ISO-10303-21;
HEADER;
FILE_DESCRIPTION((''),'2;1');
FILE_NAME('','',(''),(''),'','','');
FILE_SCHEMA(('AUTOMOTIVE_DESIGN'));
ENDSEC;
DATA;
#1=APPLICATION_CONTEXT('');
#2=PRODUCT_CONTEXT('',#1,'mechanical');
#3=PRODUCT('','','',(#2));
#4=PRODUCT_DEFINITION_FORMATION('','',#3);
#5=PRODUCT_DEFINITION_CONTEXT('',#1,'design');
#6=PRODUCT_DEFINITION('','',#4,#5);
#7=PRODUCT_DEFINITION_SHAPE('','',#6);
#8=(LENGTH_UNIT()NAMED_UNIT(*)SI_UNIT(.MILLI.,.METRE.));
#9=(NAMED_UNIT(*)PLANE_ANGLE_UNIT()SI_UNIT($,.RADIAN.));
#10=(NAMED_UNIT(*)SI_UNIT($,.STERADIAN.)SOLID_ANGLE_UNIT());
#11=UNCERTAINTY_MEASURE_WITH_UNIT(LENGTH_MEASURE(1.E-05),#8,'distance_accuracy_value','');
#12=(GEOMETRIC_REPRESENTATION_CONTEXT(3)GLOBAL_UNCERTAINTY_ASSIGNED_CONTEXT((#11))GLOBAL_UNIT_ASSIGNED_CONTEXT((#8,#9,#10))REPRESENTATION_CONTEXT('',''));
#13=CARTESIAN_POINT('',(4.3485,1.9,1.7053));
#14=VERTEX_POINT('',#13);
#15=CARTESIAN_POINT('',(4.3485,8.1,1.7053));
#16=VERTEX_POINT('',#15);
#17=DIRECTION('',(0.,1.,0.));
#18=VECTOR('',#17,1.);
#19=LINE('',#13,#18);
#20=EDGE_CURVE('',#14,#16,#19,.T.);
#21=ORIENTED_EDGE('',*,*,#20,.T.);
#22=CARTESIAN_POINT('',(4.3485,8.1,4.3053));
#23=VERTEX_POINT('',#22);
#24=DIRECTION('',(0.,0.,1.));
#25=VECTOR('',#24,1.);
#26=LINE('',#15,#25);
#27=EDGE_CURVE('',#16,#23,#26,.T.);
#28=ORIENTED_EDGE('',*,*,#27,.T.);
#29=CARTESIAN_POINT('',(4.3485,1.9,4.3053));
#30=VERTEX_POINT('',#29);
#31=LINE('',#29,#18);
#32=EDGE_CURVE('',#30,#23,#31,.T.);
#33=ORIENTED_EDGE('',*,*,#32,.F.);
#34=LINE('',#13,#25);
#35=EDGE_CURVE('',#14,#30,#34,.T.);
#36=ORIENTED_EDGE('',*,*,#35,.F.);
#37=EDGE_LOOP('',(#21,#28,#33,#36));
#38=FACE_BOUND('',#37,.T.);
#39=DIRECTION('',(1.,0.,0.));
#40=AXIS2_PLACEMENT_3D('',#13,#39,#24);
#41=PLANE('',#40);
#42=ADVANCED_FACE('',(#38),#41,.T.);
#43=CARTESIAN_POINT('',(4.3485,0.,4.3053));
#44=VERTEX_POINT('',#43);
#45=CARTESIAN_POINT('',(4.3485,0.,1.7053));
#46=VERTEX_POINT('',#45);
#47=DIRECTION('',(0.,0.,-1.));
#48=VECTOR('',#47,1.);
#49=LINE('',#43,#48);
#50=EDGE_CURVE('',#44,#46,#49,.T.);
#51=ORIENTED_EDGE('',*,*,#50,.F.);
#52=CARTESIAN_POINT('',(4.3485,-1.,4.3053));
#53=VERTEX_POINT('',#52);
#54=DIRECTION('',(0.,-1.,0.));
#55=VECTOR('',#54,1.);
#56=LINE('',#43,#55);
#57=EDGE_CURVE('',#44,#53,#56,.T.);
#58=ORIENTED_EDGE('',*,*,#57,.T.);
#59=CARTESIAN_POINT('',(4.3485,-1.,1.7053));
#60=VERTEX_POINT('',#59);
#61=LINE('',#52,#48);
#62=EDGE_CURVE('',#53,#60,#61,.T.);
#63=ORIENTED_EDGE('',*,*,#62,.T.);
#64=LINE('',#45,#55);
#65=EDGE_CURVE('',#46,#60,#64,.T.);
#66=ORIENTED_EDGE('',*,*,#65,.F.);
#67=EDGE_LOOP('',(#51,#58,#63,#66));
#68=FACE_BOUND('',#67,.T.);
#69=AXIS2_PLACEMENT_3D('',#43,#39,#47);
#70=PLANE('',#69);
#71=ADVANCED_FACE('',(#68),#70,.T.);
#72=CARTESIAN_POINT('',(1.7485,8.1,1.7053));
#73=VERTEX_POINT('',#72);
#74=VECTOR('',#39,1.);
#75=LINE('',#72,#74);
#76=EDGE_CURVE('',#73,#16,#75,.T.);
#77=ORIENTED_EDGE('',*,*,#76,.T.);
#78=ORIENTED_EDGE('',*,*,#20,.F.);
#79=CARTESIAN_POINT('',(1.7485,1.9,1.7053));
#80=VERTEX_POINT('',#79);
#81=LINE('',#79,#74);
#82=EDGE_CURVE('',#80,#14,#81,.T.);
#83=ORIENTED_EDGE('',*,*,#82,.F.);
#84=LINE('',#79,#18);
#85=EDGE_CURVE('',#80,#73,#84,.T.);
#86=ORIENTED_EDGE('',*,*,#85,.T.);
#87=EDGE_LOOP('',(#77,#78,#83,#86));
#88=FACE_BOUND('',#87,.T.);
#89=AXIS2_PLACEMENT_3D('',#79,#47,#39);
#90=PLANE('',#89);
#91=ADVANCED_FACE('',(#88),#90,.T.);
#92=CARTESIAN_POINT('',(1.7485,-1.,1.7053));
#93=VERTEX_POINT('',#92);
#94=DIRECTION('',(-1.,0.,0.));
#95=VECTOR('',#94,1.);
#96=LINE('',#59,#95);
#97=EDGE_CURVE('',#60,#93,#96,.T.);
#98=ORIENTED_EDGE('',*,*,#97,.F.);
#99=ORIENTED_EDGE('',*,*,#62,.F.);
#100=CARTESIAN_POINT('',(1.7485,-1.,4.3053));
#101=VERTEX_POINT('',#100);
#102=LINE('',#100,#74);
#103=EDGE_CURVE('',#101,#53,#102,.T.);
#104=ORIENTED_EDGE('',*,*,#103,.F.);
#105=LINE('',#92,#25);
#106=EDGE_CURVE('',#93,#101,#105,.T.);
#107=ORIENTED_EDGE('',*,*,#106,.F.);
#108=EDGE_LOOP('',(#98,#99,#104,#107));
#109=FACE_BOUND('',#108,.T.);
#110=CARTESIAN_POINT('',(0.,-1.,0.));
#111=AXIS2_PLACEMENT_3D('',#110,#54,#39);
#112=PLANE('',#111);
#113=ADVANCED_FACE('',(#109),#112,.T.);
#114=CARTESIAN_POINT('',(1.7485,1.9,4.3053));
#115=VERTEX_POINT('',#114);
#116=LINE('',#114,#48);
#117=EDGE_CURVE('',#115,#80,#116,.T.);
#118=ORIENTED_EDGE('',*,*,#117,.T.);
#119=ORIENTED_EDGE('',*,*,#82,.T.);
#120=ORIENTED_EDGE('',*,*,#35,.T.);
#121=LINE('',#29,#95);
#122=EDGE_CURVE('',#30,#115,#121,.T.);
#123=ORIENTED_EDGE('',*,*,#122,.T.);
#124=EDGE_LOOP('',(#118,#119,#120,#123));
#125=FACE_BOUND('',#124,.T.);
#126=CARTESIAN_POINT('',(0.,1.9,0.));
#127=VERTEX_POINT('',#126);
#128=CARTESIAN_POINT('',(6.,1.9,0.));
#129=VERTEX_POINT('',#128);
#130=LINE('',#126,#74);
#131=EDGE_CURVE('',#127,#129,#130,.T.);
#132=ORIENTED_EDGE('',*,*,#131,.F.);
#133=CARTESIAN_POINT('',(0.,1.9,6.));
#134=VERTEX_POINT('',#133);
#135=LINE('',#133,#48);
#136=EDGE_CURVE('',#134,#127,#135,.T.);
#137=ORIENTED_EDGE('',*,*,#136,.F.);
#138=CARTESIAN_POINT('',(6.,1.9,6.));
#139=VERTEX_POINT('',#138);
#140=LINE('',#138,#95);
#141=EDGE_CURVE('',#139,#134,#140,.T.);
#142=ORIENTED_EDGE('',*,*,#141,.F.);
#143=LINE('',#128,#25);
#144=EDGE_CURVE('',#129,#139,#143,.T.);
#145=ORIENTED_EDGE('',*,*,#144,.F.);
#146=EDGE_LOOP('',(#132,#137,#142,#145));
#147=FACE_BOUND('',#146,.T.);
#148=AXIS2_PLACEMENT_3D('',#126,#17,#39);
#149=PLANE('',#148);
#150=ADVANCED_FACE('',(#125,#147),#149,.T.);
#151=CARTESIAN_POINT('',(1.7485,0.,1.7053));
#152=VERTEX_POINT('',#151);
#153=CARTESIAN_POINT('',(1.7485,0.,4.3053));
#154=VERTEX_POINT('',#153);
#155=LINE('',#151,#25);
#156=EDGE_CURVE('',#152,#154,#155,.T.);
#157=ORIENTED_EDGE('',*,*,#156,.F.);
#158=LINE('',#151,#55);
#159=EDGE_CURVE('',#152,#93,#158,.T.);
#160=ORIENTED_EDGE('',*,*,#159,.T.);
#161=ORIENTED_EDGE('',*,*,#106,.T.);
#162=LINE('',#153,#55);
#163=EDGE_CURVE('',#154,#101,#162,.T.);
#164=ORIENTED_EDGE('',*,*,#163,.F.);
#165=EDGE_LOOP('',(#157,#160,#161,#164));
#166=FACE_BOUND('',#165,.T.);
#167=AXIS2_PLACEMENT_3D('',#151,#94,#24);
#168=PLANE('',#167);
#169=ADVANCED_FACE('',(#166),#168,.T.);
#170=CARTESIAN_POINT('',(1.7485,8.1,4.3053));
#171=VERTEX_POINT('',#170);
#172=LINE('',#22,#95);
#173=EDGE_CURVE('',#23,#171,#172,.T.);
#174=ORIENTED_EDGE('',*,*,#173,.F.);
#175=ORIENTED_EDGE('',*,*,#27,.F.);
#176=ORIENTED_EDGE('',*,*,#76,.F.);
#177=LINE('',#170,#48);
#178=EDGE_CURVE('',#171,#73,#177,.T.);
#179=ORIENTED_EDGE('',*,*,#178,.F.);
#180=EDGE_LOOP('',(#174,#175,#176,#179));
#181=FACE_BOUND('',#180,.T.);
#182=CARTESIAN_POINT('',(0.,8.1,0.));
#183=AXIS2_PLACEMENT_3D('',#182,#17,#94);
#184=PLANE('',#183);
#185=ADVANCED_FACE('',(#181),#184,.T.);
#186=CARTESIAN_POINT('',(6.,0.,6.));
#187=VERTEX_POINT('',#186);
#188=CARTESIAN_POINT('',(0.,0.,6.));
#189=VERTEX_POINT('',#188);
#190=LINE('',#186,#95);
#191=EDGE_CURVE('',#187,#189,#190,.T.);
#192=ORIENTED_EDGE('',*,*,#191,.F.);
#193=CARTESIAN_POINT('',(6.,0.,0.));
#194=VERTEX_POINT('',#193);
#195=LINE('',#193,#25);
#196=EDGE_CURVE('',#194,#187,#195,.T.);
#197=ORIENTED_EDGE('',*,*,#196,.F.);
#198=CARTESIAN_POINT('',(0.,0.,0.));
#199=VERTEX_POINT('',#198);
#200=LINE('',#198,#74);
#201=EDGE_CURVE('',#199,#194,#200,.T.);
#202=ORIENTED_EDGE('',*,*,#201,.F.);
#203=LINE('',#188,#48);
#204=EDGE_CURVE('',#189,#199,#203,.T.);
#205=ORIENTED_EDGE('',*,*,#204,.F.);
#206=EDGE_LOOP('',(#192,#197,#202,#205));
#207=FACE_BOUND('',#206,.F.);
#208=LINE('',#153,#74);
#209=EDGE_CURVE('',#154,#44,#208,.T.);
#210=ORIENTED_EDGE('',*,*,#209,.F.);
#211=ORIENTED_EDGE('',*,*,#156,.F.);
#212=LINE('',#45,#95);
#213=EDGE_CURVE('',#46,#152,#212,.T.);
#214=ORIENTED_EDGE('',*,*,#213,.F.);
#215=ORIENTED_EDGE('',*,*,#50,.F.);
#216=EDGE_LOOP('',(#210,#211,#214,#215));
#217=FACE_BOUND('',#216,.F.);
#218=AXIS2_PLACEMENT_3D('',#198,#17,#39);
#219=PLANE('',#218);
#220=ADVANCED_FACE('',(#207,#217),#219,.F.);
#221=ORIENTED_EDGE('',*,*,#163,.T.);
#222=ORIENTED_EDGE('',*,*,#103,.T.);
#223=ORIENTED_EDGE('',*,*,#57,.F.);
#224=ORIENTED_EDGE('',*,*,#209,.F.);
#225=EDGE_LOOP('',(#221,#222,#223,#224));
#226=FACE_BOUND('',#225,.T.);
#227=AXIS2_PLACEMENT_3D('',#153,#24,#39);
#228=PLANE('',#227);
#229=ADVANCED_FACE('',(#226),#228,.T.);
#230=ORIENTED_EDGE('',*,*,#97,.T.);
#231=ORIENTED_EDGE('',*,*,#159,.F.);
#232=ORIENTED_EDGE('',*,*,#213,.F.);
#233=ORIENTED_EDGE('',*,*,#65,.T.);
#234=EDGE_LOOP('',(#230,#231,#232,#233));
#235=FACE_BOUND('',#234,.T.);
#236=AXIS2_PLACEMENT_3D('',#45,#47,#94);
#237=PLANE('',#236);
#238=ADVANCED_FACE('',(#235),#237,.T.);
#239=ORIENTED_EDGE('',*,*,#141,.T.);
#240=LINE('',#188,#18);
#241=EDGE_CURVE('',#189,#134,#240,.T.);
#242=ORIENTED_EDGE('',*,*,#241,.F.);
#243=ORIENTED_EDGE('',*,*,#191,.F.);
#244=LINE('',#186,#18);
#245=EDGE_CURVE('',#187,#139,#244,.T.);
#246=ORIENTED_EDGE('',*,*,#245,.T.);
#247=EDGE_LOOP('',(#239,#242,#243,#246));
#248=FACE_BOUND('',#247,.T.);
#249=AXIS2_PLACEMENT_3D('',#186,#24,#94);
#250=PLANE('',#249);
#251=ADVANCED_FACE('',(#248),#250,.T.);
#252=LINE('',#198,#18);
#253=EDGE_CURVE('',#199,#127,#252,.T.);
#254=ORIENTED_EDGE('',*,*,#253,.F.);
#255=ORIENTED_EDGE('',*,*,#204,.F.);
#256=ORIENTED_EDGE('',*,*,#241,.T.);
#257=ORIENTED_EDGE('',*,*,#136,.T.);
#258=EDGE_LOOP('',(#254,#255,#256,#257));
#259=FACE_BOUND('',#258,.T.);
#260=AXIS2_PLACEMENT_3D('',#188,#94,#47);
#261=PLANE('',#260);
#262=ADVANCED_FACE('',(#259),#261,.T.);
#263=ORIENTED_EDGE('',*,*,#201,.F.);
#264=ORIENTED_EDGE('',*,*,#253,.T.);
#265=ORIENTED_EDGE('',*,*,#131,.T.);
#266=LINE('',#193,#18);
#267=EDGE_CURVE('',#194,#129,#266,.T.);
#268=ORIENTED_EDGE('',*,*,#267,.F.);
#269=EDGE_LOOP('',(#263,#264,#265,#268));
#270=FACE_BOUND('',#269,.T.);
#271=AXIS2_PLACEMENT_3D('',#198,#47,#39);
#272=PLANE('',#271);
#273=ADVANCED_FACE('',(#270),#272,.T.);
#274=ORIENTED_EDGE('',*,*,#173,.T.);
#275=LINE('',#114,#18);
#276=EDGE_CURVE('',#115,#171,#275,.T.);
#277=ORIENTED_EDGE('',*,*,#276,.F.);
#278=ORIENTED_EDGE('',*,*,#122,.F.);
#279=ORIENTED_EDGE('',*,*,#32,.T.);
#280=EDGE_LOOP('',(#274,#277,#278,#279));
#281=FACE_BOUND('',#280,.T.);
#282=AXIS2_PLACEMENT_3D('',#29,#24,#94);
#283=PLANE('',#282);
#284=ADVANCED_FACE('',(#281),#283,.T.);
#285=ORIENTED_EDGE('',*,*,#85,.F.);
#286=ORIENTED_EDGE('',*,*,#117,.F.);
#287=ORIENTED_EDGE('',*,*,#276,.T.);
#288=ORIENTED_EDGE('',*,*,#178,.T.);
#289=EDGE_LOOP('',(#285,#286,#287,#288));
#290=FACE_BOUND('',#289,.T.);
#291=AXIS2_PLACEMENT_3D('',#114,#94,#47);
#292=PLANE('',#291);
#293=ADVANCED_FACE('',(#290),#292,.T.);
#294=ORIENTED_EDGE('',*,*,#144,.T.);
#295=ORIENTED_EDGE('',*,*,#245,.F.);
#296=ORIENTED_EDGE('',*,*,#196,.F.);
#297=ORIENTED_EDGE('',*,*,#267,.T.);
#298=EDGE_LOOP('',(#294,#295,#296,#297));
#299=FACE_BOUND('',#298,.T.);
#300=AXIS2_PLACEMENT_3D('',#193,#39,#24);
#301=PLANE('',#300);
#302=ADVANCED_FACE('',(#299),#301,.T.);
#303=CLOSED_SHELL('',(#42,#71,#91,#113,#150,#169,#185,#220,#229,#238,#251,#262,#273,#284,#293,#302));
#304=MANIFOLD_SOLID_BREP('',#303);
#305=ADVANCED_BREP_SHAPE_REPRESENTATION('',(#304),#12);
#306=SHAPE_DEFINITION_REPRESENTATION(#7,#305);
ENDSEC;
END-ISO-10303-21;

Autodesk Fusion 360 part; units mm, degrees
sketch "Sketch1" plane through (0, 0, 0) normal (0, 1, 0) x (1, 0, 0)
  line L0 (0, 0) -> (6, 0)
  line L1 (6, 0) -> (6, -6)
  line L2 (6, -6) -> (0, -6)
  line L3 (0, -6) -> (0, 0)
  dimension "d1" = 6
  dimension "d2" = 6
extrude "Extrude1" add sketch "Sketch1" along normal blind 1.9
sketch "Sketch2" plane through (0, 1.9, 0) normal (0, 1, 0) x (-1, 0, 0)
  line L0 (0, 6) -> (-6, 6)
  line L1 (-6, 6) -> (-6, 0)
  line L2 (-6, 0) -> (0, 0)
  line L3 (0, 0) -> (0, 6)
  line L4 (-1.7485, 1.7053) -> (-4.3485, 1.7053)
  line L5 (-4.3485, 1.7053) -> (-4.3485, 4.3053)
  line L6 (-4.3485, 4.3053) -> (-1.7485, 4.3053)
  line L7 (-1.7485, 4.3053) -> (-1.7485, 1.7053)
  dimension "d5" = 2.6
  dimension "d6" = 2.6
extrude "Extrude2" add sketch "Sketch2" along normal blind 6.2 contours L4 L5 L6 L7
sketch "Sketch3" plane through (0, 0, 0) normal (0, -1, 0) x (1, 0, 0)
  line L0 (6, 6) -> (0, 6)
  line L1 (0, 6) -> (0, 0)
  line L2 (0, 0) -> (6, 0)
  line L3 (6, 0) -> (6, 6)
  line L4 (1.7485, 4.3053) -> (4.3485, 4.3053)
  line L5 (4.3485, 4.3053) -> (4.3485, 1.7053)
  line L6 (4.3485, 1.7053) -> (1.7485, 1.7053)
  line L7 (1.7485, 1.7053) -> (1.7485, 4.3053)
  point P0 (1.7485, 4.3053)
  point P1 (4.3485, 1.7053)
extrude "Extrude3" add sketch "Sketch3" along normal blind 1 contours L4 L5 L6 L7
